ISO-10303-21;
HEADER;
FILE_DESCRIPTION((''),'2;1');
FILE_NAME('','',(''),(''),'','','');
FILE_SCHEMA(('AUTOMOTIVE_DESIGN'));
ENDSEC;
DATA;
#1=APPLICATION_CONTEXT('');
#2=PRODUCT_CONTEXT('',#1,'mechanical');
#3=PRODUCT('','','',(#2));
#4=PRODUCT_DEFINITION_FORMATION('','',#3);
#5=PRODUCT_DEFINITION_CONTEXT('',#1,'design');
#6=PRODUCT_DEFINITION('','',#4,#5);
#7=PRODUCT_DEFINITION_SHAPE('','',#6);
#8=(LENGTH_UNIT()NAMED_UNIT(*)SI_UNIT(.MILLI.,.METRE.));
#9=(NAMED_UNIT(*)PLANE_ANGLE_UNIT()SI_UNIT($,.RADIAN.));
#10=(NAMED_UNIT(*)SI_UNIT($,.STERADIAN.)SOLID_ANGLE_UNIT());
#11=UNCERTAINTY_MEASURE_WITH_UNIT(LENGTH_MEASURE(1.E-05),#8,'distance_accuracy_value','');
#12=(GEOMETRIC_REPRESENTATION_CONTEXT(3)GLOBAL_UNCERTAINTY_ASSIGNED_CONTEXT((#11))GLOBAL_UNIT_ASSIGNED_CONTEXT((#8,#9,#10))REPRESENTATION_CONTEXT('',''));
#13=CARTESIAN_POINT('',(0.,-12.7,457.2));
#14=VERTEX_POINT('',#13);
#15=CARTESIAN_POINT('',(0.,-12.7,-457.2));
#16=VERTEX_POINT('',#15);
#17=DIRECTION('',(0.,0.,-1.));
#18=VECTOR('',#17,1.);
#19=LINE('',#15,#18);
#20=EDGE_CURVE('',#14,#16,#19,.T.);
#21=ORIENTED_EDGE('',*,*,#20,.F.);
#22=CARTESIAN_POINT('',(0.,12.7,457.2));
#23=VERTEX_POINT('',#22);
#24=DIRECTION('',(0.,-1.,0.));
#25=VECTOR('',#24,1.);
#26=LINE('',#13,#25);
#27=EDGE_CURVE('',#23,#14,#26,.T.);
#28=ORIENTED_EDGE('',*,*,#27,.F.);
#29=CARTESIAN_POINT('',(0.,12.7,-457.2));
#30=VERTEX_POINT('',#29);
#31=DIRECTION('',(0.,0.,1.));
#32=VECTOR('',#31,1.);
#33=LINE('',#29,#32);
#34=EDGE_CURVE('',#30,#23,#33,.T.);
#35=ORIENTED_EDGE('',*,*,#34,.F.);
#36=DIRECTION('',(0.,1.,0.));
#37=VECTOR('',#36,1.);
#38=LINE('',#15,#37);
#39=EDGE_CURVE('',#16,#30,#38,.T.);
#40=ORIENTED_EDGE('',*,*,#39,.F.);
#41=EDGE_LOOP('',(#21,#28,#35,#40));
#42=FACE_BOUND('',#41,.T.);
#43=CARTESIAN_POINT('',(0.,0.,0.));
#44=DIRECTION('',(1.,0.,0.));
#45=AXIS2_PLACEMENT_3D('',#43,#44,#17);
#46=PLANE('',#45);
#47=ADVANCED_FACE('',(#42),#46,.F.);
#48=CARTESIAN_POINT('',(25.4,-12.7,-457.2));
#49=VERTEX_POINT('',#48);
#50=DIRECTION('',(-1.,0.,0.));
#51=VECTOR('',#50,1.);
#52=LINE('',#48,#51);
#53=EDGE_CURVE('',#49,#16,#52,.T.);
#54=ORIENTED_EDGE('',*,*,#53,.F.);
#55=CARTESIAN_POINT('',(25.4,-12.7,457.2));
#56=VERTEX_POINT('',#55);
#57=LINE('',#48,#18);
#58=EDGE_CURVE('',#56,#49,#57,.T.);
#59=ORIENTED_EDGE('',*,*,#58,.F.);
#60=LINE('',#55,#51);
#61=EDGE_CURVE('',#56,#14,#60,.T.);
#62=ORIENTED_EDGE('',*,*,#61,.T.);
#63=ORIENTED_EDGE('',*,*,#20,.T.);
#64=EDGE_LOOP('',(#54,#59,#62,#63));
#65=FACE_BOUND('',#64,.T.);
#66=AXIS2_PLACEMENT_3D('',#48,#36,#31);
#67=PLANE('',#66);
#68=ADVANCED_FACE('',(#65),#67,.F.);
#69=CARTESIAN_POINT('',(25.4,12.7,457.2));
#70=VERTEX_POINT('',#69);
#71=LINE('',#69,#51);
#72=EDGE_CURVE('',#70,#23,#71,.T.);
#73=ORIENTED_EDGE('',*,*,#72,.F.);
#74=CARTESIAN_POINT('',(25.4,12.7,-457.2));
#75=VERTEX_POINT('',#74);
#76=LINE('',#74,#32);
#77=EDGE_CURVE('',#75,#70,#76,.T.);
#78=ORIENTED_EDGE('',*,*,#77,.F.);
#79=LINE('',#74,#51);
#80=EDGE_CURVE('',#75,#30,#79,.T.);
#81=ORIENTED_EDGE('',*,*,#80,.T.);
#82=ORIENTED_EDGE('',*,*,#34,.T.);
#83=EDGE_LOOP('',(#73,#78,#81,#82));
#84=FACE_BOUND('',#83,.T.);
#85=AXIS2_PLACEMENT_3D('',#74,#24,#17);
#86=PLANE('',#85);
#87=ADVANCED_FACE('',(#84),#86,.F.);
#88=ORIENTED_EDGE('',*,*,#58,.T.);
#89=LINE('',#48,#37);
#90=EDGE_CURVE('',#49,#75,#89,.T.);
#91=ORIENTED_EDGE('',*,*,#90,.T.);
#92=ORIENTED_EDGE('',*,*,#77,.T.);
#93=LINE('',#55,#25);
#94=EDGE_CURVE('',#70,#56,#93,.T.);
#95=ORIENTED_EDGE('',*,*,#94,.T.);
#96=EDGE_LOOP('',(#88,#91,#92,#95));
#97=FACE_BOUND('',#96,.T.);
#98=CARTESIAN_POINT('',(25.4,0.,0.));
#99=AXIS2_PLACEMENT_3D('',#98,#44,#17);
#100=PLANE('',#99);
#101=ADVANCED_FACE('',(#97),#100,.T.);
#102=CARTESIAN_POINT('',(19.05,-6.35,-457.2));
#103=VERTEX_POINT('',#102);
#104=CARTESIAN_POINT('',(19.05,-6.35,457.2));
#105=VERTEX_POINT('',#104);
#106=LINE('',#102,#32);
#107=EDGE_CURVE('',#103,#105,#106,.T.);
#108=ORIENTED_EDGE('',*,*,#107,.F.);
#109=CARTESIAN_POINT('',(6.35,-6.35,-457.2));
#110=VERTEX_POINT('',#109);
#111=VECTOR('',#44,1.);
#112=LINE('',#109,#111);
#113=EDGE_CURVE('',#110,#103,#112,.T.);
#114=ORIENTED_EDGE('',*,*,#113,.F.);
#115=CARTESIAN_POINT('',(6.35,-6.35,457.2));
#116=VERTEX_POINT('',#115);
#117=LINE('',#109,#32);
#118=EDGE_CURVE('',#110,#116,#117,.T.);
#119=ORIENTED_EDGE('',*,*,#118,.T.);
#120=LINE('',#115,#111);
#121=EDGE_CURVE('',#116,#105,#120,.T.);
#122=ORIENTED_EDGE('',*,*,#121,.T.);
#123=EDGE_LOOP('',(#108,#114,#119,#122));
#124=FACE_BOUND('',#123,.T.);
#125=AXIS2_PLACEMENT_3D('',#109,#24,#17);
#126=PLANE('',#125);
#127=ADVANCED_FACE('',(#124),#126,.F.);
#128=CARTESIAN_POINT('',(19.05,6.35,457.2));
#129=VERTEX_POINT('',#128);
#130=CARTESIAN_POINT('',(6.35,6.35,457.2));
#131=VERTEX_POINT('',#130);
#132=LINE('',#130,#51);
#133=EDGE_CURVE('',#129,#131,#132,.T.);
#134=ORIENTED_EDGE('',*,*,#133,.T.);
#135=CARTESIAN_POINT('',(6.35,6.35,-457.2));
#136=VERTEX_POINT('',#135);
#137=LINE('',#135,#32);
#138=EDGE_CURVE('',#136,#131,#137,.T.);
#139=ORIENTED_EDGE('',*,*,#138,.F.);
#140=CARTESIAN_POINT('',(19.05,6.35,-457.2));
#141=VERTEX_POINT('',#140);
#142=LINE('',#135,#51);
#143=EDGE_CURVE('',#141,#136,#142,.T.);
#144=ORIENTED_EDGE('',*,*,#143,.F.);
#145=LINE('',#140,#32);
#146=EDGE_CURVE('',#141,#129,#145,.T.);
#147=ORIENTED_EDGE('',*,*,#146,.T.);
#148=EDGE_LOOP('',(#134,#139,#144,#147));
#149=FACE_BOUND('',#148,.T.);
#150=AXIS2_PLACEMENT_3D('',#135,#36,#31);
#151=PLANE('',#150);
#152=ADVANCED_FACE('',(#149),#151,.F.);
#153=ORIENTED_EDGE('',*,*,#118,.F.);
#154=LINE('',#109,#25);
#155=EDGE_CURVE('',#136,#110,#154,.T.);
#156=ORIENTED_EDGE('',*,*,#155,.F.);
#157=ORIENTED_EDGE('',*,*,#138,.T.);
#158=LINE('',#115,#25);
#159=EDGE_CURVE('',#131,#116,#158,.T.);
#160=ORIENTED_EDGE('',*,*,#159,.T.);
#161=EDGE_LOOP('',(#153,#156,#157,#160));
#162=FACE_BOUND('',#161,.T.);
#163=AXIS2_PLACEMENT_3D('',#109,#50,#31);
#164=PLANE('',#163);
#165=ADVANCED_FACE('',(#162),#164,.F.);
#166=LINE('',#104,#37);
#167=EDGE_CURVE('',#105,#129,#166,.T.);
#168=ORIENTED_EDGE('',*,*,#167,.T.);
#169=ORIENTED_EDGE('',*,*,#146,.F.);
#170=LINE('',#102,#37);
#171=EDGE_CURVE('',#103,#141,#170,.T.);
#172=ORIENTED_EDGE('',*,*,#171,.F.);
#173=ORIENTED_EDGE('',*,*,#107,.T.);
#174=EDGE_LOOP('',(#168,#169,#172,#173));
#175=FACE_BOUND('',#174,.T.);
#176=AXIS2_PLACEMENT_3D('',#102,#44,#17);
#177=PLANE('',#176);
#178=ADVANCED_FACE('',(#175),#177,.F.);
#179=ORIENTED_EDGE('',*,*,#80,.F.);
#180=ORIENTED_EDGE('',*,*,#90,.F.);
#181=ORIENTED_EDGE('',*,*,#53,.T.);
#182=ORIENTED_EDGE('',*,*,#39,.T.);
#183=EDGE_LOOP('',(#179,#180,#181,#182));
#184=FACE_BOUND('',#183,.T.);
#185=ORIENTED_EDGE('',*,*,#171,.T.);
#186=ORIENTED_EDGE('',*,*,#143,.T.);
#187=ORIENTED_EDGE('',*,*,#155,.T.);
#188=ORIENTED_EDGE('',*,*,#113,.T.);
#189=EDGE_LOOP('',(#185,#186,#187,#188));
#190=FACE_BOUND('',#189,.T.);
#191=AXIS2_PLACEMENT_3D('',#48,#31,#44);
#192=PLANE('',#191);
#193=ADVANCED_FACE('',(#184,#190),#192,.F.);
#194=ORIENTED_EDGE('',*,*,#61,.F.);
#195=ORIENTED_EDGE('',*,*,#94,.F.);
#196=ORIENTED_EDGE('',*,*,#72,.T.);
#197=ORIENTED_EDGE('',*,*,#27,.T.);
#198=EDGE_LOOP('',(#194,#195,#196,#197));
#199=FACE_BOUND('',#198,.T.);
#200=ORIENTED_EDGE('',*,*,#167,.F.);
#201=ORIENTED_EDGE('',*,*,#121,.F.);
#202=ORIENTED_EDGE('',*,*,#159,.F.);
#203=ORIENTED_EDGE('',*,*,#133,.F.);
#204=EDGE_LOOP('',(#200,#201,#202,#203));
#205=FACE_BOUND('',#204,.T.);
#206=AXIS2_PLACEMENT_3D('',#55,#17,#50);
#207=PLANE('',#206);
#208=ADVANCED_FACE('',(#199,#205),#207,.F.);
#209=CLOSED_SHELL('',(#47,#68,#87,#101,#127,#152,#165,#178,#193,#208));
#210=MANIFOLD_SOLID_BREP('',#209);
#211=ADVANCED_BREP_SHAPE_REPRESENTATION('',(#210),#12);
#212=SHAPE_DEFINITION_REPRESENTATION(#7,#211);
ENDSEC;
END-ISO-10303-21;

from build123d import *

# Parameters (mm, degrees)
SKETCH1_W           = 914.4
SKETCH1_H           = 25.4
BOSS_EXTRUDE1_DEPTH = 25.4
SKETCH2_W           = 12.7
SKETCH2_H           = 12.7
CUT_EXTRUDE1_DEPTH  = 915.840865943


with BuildPart() as part:
    # Sketch1 → Boss-Extrude1 (new body)
    with BuildSketch(Plane(origin=(0, 0, 0), x_dir=(0, 0, -1), z_dir=(1, 0, 0))):
        Rectangle(SKETCH1_W, SKETCH1_H)
    extrude(amount=BOSS_EXTRUDE1_DEPTH)

    # Sketch2 → Cut-Extrude1 (cut, through all)
    with BuildSketch(Plane.XY.offset(457.2)):
        with Locations((12.7, 0)):
            Rectangle(SKETCH2_W, SKETCH2_H)
    extrude(amount=-CUT_EXTRUDE1_DEPTH, mode=Mode.SUBTRACT)


solid = part.part
